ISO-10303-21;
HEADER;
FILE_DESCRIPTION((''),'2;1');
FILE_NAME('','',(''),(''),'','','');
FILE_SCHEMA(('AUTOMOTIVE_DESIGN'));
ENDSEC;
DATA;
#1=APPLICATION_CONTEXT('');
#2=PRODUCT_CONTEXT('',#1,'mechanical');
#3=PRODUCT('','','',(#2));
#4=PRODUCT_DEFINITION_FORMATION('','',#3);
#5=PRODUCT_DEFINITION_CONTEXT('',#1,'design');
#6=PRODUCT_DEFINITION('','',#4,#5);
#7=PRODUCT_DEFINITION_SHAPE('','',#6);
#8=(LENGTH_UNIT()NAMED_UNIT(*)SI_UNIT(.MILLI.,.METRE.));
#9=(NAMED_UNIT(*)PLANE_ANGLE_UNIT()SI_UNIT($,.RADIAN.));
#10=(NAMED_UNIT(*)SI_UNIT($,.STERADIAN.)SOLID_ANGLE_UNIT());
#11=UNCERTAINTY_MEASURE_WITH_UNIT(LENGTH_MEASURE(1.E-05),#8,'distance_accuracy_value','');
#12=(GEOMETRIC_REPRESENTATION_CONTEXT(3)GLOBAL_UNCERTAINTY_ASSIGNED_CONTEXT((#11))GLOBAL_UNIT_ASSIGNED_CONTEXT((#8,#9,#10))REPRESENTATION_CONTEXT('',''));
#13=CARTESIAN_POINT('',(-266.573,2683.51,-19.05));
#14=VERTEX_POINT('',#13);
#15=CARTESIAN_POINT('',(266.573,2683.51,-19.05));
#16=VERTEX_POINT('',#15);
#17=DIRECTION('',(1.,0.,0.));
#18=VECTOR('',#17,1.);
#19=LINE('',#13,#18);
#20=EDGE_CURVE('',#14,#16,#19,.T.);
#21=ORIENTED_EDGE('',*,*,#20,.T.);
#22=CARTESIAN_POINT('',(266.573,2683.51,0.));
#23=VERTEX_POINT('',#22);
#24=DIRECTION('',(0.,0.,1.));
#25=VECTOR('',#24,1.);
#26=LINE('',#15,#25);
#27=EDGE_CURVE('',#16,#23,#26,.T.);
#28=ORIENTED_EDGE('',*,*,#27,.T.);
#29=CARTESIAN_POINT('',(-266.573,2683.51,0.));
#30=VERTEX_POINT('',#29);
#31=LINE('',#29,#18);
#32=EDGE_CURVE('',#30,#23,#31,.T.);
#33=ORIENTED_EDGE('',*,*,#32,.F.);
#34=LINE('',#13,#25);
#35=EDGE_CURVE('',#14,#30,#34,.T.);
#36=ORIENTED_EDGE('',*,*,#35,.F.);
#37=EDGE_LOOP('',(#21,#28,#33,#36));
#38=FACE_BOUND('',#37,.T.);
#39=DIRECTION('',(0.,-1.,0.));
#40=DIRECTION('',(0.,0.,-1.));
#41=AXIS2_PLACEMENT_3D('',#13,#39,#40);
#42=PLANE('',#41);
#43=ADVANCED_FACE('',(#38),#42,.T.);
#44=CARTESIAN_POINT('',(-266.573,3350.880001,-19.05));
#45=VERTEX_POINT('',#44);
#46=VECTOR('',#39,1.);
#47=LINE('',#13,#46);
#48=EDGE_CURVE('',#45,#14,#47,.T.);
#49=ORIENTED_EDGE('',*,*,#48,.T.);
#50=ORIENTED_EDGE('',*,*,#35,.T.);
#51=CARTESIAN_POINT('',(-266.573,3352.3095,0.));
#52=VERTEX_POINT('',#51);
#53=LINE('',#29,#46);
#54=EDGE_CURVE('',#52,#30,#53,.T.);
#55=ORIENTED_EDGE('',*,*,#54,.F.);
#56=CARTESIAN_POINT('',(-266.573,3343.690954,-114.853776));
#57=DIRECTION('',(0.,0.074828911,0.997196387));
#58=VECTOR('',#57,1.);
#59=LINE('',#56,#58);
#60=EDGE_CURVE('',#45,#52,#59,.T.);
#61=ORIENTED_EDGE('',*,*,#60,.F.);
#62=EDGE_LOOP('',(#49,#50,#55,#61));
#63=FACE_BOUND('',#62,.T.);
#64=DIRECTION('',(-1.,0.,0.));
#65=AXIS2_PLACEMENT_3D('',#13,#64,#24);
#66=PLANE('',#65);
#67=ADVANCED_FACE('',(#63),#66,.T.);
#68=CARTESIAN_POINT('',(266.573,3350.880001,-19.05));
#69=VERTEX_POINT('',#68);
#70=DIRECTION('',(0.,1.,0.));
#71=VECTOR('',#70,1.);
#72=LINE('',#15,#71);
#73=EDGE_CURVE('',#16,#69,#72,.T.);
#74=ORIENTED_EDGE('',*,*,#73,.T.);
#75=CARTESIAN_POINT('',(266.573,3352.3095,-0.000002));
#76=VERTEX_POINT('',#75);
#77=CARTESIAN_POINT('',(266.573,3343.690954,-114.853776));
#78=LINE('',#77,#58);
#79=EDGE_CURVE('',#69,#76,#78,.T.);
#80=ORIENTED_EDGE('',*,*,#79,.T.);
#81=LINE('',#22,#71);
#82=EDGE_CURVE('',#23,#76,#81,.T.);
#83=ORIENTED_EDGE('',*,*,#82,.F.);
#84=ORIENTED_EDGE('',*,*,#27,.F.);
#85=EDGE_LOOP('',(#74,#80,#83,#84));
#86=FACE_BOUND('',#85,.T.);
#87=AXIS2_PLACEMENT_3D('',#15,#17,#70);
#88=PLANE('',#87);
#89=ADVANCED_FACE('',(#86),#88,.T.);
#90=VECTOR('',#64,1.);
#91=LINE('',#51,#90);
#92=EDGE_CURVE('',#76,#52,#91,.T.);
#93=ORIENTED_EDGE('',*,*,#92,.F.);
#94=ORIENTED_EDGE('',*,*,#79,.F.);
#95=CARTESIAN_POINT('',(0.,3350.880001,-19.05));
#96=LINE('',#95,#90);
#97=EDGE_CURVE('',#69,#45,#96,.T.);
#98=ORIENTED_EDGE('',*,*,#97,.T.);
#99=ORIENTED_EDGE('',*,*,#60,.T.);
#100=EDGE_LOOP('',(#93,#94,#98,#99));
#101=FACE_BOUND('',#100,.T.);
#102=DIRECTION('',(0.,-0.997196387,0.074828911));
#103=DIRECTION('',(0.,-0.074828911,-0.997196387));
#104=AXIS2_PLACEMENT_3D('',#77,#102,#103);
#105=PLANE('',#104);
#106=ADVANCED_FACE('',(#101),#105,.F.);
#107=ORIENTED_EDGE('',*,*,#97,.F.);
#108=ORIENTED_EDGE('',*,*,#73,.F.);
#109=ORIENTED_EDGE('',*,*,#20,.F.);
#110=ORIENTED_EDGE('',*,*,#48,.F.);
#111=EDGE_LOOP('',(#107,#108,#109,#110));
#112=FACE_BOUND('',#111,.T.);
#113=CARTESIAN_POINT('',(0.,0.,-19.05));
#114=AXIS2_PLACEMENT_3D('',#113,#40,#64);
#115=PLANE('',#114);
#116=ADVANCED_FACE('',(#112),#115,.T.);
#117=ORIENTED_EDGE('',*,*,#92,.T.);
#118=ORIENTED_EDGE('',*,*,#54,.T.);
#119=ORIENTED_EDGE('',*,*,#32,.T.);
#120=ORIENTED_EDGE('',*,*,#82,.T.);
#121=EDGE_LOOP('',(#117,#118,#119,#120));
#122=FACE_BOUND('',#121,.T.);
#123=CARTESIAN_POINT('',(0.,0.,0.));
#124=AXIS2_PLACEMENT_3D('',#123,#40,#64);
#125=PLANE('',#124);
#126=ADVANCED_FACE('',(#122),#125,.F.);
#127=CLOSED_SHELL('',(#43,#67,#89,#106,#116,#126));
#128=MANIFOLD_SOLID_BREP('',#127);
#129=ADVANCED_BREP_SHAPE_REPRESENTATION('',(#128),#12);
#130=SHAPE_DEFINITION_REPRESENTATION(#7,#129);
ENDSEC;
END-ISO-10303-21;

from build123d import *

# Parameters (mm, degrees)
SKETCH1_W           = 533.146
SKETCH1_H           = 668.799499747
BOSS_EXTRUDE1_DEPTH = 19.05
CUT_EXTRUDE1_DEPTH  = 3395.493561919


with BuildPart() as part:
    # Sketch1 → Boss-Extrude1 (new body)
    with BuildSketch(Plane.XY):
        with Locations((0, 3017.909749874)):
            Rectangle(SKETCH1_W, SKETCH1_H)
    extrude(amount=-BOSS_EXTRUDE1_DEPTH)

    # Sketch2 → Cut-Extrude1 (cut, through all)
    with BuildSketch(Plane.ZY.offset(266.573)):
        Polygon((-2.286e-06, 3352.309499747), (-1.425493043, 3371.306090918), (-106.894117253, 3363.3918), (-114.853775761, 3343.690953871), align=None)
    extrude(amount=-CUT_EXTRUDE1_DEPTH, mode=Mode.SUBTRACT)


solid = part.part
